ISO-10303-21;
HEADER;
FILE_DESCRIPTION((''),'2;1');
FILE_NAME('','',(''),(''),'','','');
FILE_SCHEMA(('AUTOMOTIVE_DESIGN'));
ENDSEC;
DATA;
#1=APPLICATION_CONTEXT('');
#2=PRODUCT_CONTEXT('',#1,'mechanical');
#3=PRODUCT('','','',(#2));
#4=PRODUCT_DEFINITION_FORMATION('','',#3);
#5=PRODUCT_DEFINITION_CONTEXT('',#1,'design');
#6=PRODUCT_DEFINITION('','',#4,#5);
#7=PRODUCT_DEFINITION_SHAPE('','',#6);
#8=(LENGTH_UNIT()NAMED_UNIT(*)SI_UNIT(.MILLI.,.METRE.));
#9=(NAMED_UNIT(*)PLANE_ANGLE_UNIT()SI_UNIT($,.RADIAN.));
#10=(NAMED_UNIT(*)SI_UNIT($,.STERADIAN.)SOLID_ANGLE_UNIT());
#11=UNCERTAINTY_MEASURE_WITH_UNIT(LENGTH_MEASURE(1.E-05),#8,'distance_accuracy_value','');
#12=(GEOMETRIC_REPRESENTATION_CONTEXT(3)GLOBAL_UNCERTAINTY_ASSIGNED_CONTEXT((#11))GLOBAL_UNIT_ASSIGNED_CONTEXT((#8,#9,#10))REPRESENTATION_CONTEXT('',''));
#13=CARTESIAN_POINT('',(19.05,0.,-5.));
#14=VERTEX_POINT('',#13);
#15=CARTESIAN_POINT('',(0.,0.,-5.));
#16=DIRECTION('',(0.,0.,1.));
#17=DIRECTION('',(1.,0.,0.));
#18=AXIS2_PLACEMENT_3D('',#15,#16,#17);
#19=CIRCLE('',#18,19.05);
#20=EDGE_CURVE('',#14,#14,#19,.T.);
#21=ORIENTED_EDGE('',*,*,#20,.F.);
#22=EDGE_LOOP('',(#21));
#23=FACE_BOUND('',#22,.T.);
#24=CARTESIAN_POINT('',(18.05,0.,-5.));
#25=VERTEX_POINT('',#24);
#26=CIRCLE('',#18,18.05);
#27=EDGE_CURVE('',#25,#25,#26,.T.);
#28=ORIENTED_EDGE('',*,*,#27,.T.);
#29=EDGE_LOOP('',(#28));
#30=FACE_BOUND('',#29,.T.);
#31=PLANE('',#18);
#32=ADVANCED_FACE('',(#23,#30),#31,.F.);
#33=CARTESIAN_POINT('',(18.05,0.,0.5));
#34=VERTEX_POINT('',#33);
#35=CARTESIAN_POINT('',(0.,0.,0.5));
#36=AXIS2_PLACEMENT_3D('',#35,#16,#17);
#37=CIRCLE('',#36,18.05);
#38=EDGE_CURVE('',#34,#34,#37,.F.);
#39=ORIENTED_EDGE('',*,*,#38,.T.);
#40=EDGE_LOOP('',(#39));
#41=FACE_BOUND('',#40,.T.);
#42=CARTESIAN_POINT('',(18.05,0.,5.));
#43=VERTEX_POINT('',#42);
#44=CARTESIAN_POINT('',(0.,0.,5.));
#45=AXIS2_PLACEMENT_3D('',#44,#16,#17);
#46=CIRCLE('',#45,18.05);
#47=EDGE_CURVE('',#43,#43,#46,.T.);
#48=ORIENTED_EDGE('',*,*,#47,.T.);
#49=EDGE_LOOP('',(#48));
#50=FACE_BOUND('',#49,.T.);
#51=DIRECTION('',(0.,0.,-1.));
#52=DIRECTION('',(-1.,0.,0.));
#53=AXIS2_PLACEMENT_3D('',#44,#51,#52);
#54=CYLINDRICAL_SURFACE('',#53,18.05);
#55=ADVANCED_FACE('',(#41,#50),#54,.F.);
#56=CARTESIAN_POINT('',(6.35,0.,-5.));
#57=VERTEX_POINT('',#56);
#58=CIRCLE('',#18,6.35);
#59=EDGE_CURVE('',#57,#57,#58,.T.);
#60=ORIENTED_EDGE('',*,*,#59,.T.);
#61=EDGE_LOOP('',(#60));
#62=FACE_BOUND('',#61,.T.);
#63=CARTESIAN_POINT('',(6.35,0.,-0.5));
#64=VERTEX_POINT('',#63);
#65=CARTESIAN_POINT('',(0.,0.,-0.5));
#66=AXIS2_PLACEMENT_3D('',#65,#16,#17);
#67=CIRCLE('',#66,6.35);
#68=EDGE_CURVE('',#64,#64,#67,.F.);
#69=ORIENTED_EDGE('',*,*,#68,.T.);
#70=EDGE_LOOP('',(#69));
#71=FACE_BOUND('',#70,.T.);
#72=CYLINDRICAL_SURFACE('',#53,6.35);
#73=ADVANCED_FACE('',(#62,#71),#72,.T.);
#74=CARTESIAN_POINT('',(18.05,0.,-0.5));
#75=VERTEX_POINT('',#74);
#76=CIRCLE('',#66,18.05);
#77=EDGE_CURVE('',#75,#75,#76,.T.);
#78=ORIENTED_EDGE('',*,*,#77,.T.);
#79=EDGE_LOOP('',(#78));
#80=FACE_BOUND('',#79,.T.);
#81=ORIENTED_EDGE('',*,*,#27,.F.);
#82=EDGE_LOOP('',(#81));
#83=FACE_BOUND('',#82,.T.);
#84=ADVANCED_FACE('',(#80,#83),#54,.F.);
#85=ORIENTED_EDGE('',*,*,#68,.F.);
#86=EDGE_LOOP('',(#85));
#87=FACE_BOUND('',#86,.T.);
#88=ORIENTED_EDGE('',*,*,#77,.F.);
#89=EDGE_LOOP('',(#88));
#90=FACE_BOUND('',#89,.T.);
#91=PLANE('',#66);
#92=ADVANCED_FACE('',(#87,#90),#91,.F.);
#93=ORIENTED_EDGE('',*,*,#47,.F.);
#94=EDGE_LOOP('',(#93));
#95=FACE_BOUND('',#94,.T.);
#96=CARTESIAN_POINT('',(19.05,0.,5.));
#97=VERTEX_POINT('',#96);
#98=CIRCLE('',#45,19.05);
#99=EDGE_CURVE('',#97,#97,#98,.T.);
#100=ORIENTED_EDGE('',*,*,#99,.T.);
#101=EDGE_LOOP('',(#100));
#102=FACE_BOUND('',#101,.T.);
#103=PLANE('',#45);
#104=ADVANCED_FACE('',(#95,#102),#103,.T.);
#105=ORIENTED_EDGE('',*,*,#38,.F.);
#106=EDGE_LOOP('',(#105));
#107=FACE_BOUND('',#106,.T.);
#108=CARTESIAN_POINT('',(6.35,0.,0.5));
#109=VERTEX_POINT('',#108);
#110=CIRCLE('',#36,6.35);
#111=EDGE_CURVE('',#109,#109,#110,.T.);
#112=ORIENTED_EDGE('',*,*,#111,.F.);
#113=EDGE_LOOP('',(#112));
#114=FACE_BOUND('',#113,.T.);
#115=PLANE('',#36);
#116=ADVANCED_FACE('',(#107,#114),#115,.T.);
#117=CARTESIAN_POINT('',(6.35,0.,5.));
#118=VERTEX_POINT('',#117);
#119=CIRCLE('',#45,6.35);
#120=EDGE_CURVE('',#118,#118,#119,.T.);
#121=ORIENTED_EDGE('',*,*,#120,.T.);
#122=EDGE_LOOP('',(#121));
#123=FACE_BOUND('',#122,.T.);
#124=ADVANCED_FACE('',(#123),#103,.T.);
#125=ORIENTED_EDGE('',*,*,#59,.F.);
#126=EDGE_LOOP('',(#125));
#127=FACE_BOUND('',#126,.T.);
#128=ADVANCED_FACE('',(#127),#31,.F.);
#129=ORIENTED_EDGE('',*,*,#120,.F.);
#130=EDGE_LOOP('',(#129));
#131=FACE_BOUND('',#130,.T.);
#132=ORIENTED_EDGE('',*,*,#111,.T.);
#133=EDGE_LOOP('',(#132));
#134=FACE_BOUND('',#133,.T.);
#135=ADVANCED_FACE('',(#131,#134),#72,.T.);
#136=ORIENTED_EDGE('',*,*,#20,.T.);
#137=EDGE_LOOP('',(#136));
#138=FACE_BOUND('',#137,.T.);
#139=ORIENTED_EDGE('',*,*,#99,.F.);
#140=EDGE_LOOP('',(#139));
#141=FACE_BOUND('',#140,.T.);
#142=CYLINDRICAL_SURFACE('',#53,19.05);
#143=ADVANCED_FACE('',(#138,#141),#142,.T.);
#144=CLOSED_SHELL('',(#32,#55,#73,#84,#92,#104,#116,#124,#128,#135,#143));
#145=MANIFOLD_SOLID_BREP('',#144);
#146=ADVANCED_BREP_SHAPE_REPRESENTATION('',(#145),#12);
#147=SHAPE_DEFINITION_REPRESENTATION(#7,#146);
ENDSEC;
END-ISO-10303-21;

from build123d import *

# Parameters (mm, degrees)
SKETCH1_R           = 18.05
SKETCH1_R_2         = 6.35
BOSS_EXTRUDE1_DEPTH = 0.5
SKETCH1_3_R         = 19.05
SKETCH1_3_R_2       = 18.05
SKETCH1_3_R_3       = 6.35
BOSS_EXTRUDE2_DEPTH = 5


with BuildPart() as part:
    # Sketch1 → Boss-Extrude1 (new, symmetric)
    with BuildSketch(Plane.XY):
        Circle(SKETCH1_R)
        Circle(SKETCH1_R_2, mode=Mode.SUBTRACT)
    extrude(amount=BOSS_EXTRUDE1_DEPTH, both=True)

    # Sketch1<3> → Boss-Extrude2 (add, symmetric)
    # profile 1 of 2: a face of its own
    with BuildSketch(Plane.XY):
        Circle(SKETCH1_3_R)
        Circle(SKETCH1_3_R_2, mode=Mode.SUBTRACT)
    # profile 2 of 2: a face of its own
    with BuildSketch(Plane.XY):
        Circle(SKETCH1_3_R_3)
    extrude(amount=BOSS_EXTRUDE2_DEPTH, both=True)


solid = part.part
